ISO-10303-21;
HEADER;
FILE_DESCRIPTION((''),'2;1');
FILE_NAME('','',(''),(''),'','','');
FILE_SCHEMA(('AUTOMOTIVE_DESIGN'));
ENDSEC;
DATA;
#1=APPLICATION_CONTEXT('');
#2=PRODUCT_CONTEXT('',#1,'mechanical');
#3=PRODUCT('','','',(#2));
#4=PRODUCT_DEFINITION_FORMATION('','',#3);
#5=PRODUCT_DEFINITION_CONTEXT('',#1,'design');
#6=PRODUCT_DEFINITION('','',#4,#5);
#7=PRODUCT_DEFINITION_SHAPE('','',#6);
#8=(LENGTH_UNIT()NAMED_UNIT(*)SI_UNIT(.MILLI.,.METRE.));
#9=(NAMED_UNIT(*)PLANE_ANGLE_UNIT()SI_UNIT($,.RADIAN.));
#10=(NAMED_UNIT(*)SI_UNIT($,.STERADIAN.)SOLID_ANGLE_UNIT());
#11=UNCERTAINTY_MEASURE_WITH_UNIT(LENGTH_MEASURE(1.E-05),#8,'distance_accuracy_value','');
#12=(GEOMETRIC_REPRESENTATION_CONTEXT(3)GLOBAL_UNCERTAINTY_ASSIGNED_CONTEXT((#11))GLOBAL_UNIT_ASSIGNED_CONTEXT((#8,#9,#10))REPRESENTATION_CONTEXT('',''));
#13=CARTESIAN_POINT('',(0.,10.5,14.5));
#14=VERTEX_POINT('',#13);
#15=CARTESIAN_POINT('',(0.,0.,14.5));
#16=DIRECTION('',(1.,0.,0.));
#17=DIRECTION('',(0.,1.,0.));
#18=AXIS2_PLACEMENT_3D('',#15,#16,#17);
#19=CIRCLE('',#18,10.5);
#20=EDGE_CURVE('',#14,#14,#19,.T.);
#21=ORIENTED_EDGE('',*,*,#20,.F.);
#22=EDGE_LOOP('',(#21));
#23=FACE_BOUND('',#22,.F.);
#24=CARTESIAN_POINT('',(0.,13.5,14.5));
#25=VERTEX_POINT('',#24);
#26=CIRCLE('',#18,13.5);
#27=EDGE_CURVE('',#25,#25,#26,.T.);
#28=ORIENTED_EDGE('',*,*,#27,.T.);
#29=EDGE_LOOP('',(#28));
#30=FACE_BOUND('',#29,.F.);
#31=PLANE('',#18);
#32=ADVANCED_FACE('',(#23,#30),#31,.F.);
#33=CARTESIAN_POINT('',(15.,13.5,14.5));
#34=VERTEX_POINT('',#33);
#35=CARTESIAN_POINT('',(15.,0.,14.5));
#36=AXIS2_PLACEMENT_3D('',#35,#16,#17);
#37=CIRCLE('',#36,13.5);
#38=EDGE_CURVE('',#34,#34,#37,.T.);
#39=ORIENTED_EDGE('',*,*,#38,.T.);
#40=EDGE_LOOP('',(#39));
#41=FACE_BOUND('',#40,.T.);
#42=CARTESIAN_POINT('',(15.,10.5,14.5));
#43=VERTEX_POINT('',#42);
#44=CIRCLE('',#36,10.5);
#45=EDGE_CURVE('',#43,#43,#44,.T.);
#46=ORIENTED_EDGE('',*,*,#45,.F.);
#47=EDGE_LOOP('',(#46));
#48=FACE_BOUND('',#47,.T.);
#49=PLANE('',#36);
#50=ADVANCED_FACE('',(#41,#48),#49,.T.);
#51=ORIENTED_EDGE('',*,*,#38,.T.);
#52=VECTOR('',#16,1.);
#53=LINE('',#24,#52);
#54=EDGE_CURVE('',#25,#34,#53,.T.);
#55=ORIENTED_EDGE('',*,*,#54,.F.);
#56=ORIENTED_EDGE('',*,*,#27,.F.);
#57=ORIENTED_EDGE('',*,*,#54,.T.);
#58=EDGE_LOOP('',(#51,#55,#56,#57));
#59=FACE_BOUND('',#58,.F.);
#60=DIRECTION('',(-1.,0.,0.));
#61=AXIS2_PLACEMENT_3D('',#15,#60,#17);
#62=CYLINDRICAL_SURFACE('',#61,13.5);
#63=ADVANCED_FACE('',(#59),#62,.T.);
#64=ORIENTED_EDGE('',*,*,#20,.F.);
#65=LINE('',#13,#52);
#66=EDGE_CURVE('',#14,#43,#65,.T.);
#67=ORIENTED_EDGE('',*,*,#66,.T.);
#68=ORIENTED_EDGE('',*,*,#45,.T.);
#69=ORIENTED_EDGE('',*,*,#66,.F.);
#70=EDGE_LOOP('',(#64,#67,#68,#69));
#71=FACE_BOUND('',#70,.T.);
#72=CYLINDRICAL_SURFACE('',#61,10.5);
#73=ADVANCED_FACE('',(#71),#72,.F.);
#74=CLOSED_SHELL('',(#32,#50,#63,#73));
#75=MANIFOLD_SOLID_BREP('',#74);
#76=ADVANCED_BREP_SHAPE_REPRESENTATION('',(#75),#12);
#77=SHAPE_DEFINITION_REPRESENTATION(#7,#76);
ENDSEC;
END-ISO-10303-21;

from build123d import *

# Parameters (mm, degrees)
SKETCH001_R   = 13.5
SKETCH001_R_2 = 10.5
PAD001_DEPTH  = 15


with BuildPart() as part:
    # Sketch001 → Pad001 (new body)
    with BuildSketch(Plane.YZ):
        with Locations((0, 14.5)):
            Circle(SKETCH001_R)
        with Locations((0, 14.5)):
            Circle(SKETCH001_R_2, mode=Mode.SUBTRACT)
    extrude(amount=PAD001_DEPTH)


solid = part.part
